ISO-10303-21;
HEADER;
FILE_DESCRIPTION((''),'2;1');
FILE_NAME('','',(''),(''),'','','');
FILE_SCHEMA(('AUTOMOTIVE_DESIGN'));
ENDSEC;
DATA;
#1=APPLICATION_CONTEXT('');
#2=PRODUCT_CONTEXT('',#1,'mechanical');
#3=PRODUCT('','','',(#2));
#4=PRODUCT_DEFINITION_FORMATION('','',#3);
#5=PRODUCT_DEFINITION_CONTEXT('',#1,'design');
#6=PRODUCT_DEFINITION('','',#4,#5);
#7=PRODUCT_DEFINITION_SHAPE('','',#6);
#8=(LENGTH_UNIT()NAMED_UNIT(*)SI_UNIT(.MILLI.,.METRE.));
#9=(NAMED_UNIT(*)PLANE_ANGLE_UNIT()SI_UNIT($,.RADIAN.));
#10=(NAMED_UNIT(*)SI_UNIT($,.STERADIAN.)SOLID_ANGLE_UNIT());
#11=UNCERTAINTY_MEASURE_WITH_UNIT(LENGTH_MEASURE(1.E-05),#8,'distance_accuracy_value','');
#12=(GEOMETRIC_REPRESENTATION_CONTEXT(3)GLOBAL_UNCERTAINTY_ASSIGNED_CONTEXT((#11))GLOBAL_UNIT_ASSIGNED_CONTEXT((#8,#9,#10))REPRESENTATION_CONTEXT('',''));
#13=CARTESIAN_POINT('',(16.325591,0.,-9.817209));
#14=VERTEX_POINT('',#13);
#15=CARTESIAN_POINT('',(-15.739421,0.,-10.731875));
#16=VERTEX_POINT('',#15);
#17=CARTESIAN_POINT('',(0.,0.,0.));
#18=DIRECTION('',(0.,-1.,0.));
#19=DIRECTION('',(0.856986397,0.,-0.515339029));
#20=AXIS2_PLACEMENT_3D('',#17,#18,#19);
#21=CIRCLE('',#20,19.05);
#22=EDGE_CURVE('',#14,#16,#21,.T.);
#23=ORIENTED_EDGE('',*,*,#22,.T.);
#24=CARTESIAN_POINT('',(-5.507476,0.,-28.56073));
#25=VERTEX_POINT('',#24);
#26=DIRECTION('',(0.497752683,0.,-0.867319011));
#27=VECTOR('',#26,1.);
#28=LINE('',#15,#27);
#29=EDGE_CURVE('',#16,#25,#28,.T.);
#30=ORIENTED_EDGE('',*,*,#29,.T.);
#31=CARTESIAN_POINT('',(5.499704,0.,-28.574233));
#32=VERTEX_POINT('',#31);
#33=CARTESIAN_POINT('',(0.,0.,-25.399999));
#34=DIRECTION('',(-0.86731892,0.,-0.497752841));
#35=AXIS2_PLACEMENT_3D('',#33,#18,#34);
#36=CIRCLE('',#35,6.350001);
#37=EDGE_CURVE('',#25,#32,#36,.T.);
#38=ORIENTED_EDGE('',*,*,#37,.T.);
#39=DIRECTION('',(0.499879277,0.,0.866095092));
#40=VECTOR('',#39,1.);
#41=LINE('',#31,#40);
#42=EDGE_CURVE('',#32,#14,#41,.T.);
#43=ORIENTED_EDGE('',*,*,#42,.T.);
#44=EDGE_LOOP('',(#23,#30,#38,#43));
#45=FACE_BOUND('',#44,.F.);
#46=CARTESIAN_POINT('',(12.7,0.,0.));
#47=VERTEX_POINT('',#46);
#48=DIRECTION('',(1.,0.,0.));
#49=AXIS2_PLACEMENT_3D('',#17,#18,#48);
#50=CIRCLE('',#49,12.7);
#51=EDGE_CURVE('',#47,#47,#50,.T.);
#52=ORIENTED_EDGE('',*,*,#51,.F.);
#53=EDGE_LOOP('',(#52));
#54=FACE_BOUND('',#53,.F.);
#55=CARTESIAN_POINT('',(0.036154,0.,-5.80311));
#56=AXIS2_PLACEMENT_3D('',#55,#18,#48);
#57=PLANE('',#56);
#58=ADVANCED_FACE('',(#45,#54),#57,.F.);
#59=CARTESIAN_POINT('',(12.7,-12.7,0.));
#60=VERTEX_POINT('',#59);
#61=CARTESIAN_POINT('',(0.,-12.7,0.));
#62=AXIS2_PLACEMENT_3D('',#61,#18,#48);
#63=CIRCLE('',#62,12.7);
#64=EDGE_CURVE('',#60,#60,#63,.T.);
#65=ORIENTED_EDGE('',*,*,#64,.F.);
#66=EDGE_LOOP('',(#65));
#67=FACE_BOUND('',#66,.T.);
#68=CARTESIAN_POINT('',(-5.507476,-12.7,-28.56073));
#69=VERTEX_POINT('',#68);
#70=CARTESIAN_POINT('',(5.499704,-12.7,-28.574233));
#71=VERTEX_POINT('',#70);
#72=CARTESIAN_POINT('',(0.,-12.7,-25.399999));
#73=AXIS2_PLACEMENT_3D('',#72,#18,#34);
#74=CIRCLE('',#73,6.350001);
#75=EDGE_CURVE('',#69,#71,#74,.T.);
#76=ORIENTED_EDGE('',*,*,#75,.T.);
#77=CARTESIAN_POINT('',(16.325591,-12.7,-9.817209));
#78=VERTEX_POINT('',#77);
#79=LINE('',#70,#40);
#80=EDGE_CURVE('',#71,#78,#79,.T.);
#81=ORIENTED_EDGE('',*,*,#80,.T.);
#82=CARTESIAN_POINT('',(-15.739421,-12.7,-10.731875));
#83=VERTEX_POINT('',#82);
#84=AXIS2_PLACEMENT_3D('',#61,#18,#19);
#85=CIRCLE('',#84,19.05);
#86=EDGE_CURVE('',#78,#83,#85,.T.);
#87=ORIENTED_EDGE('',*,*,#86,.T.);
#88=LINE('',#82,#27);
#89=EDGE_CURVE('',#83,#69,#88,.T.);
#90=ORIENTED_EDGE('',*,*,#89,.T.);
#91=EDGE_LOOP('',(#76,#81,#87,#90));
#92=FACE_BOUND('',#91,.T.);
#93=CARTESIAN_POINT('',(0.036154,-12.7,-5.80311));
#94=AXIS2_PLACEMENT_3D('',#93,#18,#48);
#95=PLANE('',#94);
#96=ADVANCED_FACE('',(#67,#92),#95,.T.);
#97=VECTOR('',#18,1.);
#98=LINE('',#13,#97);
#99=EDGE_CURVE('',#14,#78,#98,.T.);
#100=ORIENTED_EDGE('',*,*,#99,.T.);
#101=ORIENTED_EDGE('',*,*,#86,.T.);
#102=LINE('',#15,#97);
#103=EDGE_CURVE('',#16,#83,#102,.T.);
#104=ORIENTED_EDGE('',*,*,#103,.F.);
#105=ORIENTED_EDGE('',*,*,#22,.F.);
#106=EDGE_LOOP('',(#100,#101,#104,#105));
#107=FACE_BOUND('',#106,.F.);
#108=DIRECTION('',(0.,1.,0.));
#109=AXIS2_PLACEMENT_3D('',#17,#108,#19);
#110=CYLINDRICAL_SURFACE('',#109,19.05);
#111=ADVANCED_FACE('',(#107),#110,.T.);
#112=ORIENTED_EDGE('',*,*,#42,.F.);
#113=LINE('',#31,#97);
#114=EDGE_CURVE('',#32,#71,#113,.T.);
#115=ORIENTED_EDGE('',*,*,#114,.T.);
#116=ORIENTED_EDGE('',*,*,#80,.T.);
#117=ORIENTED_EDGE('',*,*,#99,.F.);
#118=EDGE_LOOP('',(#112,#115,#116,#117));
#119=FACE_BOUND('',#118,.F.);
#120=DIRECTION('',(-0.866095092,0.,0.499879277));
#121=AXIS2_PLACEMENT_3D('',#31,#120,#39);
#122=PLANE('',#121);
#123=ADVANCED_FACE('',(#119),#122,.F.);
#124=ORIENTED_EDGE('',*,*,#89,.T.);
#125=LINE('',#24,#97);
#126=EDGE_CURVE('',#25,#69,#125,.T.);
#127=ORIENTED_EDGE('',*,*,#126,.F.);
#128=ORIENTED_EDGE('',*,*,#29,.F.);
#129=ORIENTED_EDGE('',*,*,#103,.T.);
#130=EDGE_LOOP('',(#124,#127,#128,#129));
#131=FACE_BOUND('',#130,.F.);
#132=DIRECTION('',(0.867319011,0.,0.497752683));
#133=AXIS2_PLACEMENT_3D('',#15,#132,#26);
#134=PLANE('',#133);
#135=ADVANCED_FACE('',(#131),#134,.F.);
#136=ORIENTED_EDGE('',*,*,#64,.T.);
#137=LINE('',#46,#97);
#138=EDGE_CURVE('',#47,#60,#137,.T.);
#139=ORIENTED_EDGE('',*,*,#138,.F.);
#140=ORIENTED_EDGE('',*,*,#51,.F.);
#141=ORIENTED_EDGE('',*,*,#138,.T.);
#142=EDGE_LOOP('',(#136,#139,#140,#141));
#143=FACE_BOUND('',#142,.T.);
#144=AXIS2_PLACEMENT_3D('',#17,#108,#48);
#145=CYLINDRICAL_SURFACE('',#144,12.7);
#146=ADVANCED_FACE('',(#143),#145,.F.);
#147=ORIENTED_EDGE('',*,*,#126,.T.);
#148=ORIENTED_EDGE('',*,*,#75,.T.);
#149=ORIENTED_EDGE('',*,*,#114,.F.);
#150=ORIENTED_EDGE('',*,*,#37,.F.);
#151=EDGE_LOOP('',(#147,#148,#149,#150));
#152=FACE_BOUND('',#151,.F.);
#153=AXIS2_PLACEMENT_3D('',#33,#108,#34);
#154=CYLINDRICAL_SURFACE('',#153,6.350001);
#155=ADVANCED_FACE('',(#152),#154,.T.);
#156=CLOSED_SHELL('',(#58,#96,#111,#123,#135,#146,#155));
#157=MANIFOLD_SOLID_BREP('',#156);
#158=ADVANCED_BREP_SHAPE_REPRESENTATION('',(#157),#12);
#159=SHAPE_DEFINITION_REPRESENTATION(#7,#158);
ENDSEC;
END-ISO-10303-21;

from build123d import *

# Parameters (mm, degrees)
F0_R     = 12.7
F1_DEPTH = 12.7


with BuildPart() as f1:
    # F0 (on Front) → F1 (new body)
    with BuildSketch(Plane.XZ):
        with BuildLine():
            Line((5.499704, -28.574233), (16.325591, -9.817209))
            ThreePointArc((16.325591, -9.817209), (-0.543187, 19.042254), (-15.739421, -10.731875))
            Line((-15.739421, -10.731875), (-5.507476, -28.56073))
            ThreePointArc((-5.507476, -28.56073), (-0.00779, -31.749995), (5.499704, -28.574233))
        make_face()
        Circle(F0_R, mode=Mode.SUBTRACT)
    extrude(amount=F1_DEPTH)


solid = f1.part
